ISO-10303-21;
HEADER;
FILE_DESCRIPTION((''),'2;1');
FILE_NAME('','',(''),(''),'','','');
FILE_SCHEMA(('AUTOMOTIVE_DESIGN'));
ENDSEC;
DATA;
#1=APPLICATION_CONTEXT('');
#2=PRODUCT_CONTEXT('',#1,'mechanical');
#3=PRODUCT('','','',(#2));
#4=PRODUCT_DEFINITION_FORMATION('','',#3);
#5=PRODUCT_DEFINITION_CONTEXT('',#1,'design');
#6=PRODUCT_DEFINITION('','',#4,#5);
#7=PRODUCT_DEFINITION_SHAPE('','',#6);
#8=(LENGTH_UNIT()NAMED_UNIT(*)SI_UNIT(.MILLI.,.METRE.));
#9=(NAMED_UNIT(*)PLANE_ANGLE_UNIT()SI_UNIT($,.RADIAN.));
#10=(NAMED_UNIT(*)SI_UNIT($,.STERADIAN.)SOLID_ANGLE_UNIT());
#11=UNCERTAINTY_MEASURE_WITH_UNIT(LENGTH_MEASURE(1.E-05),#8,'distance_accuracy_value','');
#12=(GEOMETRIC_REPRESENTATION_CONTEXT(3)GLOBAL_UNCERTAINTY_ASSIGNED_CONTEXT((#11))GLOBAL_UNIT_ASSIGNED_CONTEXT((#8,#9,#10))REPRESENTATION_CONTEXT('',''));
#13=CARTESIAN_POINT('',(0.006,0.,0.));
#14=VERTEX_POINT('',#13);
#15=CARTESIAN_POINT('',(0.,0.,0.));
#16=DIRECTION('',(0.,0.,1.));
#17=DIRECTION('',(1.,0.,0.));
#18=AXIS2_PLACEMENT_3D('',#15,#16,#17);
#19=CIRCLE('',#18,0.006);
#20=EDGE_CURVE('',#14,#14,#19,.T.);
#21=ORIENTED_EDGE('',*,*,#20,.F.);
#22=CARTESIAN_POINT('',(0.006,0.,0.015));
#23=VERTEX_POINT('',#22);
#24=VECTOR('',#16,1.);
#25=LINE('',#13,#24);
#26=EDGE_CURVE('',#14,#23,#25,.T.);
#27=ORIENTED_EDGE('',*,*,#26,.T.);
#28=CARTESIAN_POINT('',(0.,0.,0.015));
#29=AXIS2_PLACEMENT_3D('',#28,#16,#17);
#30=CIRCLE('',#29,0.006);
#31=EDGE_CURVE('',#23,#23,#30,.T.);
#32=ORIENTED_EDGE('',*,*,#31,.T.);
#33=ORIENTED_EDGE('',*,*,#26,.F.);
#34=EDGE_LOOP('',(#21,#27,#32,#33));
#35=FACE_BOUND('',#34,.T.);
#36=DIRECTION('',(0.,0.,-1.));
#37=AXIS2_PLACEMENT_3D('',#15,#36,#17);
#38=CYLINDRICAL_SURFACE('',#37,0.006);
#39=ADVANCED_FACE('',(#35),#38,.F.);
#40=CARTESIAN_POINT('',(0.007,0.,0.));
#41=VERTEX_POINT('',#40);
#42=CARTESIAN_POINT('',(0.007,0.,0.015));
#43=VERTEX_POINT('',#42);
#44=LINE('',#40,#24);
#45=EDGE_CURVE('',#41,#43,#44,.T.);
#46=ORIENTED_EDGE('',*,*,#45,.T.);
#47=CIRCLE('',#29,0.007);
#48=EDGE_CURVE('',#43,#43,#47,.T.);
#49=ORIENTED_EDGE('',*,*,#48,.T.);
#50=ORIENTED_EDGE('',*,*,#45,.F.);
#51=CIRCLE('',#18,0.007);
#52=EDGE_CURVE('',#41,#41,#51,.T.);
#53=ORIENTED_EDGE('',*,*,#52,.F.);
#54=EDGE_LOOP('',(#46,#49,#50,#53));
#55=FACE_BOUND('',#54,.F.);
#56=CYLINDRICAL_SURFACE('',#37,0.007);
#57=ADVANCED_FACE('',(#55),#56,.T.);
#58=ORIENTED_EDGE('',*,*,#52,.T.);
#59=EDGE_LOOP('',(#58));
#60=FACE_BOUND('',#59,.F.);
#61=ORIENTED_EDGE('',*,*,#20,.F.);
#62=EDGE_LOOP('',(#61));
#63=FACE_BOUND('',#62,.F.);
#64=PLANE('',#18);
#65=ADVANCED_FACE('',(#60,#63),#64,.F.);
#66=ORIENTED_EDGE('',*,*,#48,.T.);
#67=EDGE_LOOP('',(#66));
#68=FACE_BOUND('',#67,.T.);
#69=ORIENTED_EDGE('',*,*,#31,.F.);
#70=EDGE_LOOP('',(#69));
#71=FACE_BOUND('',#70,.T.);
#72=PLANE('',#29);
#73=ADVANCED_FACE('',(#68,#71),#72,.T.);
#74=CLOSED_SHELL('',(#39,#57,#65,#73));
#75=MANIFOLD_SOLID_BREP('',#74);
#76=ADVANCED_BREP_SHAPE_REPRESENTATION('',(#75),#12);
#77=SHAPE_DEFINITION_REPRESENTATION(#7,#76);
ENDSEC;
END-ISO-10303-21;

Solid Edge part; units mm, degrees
sketch "Sketch1" plane through (0, 0, 0) normal (0, 0, 1) x (1, 0, 0)
  circle A0 centre (0, 0) radius 0.006
  circle A1 centre (0, 0) radius 0.007
  dimension "D1" = 0.014
  dimension "D2" = 0.012
extrude "Protrusion1" add sketch "Sketch1" along normal blind 0.015
